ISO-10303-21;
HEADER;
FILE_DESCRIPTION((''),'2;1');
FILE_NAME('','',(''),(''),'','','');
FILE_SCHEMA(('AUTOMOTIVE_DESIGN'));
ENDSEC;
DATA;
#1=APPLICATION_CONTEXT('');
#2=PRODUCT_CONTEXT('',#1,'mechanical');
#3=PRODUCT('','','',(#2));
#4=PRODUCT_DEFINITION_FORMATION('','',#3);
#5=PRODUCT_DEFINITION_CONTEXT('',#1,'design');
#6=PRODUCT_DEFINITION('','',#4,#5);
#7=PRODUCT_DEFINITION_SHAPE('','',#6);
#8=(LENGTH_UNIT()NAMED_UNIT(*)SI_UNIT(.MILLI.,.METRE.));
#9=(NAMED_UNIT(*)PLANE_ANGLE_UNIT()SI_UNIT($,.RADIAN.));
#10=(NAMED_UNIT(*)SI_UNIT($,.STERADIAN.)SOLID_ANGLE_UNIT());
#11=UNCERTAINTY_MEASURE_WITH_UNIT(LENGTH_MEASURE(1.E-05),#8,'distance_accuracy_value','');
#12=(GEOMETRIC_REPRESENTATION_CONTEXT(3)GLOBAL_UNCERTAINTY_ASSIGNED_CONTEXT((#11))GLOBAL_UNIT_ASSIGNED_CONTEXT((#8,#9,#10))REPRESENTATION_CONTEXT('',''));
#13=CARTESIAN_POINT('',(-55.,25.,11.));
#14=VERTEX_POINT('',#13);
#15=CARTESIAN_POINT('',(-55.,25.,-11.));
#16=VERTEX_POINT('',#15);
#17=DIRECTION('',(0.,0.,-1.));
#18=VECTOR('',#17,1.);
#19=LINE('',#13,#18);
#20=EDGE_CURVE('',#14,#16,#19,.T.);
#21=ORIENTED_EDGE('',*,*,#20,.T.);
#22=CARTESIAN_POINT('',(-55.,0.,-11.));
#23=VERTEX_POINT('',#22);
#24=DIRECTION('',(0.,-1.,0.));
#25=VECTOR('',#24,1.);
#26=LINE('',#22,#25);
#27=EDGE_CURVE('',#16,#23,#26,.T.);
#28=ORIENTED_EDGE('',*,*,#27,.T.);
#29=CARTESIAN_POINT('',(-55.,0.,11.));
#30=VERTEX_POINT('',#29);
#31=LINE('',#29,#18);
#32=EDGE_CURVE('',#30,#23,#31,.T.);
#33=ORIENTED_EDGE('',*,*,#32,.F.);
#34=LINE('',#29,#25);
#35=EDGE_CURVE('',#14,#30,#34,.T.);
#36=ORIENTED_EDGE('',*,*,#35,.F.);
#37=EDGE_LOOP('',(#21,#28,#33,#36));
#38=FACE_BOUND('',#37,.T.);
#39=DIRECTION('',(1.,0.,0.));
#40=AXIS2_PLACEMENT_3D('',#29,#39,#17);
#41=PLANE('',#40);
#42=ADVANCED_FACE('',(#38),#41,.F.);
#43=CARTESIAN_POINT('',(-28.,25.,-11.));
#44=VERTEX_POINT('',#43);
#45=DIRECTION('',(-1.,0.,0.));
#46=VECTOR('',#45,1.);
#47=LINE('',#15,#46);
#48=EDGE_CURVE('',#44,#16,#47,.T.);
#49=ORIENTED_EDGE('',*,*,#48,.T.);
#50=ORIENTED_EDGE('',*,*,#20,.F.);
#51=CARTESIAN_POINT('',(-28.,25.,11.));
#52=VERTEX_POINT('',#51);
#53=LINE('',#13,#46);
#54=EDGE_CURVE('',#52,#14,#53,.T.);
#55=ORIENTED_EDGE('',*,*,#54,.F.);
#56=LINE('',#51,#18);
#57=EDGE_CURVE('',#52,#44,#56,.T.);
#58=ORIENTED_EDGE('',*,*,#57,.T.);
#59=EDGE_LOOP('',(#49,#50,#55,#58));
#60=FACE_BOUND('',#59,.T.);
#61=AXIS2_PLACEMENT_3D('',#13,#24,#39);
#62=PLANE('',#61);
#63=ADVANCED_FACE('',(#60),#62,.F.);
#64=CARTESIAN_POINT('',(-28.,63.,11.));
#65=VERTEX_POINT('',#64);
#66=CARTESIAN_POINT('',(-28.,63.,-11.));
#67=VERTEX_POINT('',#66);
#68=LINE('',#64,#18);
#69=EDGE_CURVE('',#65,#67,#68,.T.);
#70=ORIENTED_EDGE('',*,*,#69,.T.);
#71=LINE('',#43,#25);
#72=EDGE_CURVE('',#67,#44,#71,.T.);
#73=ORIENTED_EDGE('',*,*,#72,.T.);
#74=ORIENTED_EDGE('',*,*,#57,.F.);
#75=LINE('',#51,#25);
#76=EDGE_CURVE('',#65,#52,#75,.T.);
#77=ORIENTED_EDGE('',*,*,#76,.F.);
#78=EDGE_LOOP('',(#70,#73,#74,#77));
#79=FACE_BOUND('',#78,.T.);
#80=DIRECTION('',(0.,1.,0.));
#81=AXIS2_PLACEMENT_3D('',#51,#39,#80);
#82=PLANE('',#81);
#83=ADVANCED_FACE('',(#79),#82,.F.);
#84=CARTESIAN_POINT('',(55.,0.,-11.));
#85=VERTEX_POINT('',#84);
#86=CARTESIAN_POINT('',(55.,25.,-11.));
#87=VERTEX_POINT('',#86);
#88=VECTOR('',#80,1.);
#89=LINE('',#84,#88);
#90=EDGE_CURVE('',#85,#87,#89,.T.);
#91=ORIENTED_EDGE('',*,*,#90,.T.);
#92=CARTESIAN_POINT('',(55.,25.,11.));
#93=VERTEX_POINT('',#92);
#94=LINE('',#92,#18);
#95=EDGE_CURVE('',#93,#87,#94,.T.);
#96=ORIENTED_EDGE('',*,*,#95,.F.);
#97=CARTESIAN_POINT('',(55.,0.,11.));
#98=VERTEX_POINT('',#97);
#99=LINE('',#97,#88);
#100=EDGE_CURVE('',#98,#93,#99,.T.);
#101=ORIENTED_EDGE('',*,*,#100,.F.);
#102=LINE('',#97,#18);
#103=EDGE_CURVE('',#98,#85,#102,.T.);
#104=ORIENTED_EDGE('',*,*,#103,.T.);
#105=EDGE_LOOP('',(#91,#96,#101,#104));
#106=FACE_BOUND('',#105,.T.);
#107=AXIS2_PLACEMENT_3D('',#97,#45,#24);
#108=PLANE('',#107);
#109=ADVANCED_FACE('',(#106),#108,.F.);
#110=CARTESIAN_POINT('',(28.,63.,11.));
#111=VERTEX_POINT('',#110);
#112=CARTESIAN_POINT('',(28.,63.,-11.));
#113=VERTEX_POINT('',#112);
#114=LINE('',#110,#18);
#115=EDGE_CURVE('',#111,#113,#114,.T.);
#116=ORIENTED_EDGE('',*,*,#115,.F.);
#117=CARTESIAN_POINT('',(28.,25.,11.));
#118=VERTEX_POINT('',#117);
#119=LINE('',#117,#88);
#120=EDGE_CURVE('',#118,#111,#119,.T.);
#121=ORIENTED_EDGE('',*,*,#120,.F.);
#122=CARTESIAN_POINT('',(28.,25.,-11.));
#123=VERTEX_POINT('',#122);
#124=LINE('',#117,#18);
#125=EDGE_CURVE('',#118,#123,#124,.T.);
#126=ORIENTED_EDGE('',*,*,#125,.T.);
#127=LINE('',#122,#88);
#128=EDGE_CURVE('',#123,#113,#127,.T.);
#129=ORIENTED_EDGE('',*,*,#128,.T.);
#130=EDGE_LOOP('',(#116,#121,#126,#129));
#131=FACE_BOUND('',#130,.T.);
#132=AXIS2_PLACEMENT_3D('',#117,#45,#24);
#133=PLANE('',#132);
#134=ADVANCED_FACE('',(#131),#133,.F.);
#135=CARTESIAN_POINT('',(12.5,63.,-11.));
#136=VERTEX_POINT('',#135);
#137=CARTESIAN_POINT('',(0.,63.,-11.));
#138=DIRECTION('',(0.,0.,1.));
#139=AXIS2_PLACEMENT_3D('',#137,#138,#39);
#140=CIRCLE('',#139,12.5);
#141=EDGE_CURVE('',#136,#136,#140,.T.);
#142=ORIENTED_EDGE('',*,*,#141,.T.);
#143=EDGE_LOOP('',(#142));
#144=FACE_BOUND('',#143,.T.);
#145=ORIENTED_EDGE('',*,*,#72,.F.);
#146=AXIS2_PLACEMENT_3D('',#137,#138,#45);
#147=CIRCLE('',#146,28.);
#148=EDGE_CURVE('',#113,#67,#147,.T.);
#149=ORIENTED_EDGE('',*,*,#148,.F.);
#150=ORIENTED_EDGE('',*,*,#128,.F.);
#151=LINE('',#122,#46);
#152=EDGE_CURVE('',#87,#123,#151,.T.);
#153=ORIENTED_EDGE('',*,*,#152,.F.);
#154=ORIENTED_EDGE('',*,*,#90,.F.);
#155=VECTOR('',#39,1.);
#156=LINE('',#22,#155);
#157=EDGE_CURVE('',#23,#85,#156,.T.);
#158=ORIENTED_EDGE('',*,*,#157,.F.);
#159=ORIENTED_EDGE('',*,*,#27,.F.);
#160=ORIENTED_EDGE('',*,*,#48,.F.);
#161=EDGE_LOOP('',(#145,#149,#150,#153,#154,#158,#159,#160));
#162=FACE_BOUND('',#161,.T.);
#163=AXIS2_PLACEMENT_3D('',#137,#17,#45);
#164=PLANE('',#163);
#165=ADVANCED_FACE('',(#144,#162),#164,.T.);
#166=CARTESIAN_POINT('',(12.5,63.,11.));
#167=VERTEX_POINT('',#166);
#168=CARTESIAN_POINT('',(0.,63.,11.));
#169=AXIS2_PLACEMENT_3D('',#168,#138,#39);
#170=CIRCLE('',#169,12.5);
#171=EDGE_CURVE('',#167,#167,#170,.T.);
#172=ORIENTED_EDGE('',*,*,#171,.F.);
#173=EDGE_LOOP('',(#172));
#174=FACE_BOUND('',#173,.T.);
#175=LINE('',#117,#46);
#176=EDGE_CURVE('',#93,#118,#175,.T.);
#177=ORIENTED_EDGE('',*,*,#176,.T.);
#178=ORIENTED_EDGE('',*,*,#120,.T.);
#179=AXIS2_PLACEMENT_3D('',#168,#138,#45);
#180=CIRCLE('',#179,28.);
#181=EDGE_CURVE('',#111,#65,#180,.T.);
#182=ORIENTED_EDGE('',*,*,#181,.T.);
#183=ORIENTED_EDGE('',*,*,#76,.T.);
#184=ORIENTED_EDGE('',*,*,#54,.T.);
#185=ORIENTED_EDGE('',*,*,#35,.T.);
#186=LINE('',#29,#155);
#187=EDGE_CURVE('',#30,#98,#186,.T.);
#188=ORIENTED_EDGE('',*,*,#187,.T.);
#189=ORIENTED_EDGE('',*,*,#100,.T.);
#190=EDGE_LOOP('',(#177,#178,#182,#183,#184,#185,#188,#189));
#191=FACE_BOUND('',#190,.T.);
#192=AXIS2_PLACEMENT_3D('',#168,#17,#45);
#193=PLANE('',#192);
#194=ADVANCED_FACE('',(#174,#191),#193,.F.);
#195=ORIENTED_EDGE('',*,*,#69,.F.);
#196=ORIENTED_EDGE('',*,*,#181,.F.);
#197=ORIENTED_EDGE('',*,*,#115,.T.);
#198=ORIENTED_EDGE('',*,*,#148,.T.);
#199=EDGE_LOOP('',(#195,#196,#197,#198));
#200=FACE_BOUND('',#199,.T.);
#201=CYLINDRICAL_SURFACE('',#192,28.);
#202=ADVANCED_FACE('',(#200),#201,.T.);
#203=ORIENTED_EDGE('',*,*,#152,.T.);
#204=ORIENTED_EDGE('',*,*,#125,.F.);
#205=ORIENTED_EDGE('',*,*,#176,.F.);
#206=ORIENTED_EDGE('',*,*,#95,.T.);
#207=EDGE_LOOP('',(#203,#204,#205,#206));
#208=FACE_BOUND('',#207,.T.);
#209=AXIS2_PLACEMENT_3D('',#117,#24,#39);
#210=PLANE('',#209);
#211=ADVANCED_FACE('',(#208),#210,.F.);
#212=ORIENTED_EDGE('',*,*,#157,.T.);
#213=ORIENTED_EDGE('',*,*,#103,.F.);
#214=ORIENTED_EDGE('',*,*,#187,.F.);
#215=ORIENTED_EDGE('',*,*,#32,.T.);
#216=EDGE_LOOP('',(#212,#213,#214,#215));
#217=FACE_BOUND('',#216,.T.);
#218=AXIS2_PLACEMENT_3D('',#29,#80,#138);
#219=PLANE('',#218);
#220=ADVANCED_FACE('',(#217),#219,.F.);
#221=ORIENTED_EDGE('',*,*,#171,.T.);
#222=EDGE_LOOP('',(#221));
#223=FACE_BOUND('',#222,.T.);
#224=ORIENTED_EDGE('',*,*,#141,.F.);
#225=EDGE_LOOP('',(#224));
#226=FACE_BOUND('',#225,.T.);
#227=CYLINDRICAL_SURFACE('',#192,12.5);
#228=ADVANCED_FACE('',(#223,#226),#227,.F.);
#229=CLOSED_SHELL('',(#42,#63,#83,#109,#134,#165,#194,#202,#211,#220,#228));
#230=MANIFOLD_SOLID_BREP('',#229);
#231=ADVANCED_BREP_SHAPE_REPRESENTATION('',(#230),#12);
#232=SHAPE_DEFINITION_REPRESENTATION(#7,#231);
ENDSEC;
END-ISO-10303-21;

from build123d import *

# Parameters (mm, degrees)
SKETCH1_R           = 12.5
BOSS_EXTRUDE1_DEPTH = 11


with BuildPart() as part:
    # Sketch1 → Boss-Extrude1 (new, symmetric)
    with BuildSketch(Plane.XY):
        with BuildLine():
            Line((-55, 0), (55, 0))
            Line((55, 0), (55, 25))
            Line((55, 25), (28, 25))
            Line((28, 25), (28, 63))
            ThreePointArc((28, 63), (0, 91), (-28, 63))
            Line((-28, 63), (-28, 25))
            Line((-28, 25), (-55, 25))
            Line((-55, 25), (-55, 0))
        make_face()
        with Locations((0, 63)):
            Circle(SKETCH1_R, mode=Mode.SUBTRACT)
    extrude(amount=BOSS_EXTRUDE1_DEPTH, both=True)


solid = part.part
